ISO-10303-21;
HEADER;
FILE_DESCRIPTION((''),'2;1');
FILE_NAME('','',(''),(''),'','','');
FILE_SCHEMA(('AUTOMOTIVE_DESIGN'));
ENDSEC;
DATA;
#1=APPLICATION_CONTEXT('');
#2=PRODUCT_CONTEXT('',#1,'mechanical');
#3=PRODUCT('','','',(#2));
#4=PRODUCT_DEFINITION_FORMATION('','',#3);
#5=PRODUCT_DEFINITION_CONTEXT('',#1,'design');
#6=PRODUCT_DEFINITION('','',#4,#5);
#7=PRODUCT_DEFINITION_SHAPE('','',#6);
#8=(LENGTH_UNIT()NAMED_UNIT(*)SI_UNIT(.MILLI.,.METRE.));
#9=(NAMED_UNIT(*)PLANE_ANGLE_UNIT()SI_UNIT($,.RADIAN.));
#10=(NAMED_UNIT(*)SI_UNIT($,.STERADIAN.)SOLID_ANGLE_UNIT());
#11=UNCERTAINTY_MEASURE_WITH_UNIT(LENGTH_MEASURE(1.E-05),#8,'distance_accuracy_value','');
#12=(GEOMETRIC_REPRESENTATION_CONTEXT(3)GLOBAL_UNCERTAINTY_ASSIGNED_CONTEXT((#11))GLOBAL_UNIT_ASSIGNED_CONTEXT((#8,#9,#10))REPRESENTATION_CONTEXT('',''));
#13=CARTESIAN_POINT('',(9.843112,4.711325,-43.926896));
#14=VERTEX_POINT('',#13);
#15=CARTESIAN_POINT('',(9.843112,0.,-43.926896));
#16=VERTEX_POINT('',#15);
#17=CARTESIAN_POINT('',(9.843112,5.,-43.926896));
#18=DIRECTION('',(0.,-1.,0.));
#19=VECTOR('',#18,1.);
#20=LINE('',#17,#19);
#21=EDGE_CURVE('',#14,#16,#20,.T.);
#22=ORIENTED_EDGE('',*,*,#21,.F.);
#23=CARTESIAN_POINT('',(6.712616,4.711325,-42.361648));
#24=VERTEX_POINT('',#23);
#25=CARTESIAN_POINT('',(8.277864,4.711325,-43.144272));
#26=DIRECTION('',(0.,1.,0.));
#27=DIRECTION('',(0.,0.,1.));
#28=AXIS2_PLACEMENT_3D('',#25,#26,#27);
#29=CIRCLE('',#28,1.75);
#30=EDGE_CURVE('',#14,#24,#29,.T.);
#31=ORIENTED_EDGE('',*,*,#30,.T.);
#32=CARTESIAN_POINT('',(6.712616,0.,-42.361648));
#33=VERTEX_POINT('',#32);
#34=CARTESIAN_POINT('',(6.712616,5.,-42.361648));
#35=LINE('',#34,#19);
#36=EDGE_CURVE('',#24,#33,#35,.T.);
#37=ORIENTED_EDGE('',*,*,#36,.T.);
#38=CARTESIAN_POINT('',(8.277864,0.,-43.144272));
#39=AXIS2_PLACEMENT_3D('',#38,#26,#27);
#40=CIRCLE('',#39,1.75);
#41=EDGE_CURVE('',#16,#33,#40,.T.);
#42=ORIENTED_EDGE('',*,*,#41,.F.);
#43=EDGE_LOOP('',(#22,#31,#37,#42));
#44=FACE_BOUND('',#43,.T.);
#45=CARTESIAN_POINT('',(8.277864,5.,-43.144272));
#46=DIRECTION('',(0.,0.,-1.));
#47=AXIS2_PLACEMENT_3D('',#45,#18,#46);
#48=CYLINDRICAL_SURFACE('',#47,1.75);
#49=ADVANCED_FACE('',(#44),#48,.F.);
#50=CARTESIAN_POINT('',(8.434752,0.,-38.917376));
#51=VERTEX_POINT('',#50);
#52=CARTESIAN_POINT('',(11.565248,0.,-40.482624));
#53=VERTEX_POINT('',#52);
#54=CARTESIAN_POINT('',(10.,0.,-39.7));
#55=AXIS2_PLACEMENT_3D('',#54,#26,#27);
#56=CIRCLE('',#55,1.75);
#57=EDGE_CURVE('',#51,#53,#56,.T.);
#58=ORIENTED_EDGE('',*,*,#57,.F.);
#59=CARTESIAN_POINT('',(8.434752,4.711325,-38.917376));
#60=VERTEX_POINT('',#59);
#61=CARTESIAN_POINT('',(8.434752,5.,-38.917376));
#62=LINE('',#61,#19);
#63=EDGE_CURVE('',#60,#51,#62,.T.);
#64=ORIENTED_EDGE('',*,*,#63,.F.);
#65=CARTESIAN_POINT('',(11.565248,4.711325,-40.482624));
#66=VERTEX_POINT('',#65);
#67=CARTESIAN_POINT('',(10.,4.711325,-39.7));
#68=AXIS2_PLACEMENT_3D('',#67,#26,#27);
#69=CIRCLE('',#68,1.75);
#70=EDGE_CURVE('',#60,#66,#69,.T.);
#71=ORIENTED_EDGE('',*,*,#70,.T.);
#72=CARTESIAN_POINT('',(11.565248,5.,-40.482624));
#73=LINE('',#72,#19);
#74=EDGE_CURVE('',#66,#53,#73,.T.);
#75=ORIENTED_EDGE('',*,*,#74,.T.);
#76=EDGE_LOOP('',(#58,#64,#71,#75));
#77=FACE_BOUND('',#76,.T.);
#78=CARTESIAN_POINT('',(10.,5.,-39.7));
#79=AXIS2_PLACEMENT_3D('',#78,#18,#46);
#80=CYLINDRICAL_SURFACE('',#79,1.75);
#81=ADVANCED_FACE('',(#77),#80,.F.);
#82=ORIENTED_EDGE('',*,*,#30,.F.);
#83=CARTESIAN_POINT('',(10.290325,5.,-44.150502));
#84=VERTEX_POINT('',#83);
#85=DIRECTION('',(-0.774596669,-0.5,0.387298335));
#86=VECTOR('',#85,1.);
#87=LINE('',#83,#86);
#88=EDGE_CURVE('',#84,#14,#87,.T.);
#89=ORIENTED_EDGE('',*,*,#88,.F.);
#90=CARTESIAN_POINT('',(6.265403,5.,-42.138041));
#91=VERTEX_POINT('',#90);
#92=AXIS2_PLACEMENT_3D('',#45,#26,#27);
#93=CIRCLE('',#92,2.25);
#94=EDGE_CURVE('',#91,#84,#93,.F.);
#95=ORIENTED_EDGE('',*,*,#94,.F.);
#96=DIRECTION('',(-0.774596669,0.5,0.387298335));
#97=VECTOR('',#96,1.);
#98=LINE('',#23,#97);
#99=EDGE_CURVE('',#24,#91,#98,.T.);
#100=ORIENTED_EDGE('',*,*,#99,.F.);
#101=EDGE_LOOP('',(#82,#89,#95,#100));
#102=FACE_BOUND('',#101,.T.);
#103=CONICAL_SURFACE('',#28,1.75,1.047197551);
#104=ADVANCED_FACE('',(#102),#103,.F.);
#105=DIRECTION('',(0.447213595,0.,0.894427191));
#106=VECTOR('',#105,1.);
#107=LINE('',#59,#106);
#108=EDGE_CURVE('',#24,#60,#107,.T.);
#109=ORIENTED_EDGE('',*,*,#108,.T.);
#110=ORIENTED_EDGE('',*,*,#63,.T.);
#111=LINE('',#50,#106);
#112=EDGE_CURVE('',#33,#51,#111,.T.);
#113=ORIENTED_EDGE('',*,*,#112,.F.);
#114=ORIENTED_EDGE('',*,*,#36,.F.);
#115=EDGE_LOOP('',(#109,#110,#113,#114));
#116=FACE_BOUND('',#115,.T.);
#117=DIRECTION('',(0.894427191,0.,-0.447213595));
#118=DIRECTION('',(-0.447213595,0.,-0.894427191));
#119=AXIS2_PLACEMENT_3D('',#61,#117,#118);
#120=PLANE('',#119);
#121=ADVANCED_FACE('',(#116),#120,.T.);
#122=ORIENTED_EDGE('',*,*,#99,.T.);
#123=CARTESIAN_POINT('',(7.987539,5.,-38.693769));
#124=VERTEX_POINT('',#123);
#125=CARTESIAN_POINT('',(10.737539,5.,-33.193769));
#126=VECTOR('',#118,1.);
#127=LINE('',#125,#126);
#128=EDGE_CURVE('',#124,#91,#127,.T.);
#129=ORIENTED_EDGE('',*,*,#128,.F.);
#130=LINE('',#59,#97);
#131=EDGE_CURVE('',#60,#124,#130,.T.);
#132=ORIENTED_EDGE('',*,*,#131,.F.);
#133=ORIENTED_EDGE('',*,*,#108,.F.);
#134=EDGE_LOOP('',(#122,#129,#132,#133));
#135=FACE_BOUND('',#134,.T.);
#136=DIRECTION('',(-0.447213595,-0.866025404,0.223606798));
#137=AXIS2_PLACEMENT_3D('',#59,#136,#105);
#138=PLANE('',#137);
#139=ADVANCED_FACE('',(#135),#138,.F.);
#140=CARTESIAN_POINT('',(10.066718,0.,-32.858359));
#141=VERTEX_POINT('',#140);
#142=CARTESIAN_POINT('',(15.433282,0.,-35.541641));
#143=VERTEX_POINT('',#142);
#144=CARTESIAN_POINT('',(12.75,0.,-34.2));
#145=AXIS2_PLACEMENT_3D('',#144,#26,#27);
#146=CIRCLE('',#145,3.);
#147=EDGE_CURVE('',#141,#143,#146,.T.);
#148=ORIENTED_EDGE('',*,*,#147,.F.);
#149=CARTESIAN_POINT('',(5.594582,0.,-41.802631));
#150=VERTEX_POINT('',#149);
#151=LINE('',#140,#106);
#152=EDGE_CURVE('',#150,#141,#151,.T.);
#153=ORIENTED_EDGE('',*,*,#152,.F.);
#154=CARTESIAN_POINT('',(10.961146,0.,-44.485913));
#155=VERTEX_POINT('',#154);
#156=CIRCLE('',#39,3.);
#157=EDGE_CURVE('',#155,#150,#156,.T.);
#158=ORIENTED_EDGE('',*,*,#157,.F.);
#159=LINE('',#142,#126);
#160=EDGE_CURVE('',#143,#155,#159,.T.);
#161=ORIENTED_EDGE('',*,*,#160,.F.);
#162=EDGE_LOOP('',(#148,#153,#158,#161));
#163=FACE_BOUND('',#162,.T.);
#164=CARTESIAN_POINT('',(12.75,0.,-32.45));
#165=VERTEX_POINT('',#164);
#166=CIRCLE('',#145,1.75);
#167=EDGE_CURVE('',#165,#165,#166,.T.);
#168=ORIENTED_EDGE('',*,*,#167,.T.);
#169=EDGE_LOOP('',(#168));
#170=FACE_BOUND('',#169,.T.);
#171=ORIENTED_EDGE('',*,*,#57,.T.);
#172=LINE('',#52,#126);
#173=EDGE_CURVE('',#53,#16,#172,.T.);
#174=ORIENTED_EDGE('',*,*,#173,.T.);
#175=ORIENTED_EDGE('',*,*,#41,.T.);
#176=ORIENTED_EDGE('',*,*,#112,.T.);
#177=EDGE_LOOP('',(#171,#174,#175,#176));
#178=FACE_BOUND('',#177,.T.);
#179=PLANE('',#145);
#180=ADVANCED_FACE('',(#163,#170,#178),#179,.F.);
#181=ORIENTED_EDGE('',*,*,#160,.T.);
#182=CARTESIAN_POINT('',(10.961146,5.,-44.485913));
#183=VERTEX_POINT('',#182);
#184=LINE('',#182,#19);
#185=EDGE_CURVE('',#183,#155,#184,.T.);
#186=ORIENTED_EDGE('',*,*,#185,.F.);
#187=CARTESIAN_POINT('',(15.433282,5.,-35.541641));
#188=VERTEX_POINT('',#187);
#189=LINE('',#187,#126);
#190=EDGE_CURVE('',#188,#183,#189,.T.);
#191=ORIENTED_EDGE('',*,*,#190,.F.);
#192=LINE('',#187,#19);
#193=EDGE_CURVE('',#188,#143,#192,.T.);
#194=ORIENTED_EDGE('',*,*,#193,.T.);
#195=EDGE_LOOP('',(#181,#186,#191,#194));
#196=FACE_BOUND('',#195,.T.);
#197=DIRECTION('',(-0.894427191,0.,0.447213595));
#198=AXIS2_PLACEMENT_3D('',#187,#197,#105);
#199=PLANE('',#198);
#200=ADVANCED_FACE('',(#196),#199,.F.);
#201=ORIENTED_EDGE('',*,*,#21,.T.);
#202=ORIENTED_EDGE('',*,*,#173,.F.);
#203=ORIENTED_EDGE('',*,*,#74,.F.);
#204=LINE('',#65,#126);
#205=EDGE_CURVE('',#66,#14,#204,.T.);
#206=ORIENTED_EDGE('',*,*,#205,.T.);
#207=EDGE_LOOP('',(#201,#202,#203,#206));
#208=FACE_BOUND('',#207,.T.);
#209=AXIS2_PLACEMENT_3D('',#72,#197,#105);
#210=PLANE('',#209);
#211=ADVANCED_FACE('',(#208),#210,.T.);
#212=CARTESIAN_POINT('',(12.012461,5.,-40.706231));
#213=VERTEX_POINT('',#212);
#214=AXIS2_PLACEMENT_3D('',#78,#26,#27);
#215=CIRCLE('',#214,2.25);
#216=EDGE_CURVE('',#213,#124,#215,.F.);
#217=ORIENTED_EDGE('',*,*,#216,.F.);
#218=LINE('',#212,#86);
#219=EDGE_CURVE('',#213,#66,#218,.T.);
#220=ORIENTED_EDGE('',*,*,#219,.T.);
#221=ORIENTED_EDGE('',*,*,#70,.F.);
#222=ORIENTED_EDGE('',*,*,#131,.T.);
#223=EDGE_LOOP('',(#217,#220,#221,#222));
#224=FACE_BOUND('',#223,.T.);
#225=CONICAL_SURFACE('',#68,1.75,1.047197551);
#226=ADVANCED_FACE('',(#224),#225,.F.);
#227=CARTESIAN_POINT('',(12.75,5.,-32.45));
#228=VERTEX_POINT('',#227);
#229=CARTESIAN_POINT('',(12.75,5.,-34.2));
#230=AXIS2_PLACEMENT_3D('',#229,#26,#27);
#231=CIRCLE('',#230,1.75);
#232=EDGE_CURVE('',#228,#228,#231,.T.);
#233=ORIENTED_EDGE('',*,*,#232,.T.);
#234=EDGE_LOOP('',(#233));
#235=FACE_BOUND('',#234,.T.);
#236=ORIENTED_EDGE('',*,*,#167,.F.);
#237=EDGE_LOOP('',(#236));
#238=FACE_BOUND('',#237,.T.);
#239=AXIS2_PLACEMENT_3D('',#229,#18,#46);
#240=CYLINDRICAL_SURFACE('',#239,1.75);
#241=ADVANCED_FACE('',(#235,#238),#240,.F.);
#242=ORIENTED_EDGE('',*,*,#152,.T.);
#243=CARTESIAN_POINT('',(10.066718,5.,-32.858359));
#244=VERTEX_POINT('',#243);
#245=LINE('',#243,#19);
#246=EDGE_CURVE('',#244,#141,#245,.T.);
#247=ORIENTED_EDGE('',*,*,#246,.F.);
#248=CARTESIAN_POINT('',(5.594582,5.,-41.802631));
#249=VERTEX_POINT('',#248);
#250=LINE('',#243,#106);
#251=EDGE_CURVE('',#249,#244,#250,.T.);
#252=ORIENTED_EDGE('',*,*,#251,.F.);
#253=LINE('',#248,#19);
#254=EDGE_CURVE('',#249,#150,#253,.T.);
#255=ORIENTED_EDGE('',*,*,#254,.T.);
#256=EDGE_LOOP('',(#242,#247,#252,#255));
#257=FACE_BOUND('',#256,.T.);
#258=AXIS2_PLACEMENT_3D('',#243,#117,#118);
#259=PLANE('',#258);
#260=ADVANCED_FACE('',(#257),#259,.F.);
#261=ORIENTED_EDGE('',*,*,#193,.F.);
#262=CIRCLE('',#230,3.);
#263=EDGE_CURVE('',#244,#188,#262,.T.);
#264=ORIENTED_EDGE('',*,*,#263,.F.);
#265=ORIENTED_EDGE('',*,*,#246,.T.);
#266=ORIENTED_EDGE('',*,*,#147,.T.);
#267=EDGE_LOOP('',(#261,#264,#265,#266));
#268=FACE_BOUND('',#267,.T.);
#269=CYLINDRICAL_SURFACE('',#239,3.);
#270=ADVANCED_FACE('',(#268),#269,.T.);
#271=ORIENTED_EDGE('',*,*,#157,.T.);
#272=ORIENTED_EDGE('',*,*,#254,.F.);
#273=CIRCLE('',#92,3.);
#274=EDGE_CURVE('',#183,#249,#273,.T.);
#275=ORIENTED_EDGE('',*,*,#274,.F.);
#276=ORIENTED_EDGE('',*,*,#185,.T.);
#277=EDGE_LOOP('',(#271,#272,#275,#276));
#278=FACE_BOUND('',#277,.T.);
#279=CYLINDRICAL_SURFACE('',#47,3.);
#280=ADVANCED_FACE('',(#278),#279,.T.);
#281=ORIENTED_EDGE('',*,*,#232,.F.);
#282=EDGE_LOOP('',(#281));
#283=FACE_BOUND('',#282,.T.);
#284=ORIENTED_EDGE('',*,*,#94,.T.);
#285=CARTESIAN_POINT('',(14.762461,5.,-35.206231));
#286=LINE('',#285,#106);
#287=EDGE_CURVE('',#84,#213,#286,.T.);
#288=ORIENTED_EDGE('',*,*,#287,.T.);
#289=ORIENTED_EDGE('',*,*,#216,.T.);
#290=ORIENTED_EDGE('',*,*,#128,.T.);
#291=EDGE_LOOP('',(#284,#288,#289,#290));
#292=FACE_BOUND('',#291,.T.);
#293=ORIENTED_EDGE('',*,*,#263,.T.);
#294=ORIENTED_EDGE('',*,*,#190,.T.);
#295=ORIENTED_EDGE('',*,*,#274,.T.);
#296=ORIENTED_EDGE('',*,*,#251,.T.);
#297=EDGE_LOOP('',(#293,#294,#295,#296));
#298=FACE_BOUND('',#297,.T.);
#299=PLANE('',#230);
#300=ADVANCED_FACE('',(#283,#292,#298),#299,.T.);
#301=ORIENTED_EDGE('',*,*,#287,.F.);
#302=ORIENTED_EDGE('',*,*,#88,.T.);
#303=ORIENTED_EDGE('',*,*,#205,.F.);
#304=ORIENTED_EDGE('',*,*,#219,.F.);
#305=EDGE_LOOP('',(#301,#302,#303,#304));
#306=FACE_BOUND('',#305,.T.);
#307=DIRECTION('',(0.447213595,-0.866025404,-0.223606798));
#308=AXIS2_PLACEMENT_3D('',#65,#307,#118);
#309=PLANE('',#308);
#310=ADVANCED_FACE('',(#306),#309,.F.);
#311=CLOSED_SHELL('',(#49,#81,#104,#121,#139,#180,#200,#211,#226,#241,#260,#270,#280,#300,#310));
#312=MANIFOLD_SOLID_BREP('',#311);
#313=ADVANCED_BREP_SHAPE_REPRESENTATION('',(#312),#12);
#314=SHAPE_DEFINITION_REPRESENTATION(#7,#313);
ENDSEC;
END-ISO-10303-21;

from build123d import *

# Parameters (mm, degrees)
SKETCH1_R           = 1.75
BOSS_EXTRUDE1_DEPTH = 5
CHAMFER1_SIZE       = 0.5
CHAMFER1_SIZE2      = 0.288675135


with BuildPart() as part:
    # Sketch1 → Boss-Extrude1 (new body)
    with BuildSketch(Plane(origin=(0, 0, 0), x_dir=(1, 0, 0), z_dir=(0, 1, 0))):
        with BuildLine():
            Line((15.433281573, 35.541640786), (10.961145618, 44.485912696))
            ThreePointArc((10.961145618, 44.485912696), (6.936223259, 45.827553483), (5.594582472, 41.802631123))
            Line((5.594582472, 41.802631123), (10.066718427, 32.858359214))
            ThreePointArc((10.066718427, 32.858359214), (14.091640786, 31.516718427), (15.433281573, 35.541640786))
        make_face()
        with Locations(Location((12.75, 34.2, 0), (0, 0, 270))):
            Circle(SKETCH1_R, mode=Mode.SUBTRACT)
        with BuildLine():
            Line((11.565247584, 40.482623792), (9.843111629, 43.926895702))
            ThreePointArc((9.843111629, 43.926895702), (7.495240253, 44.709519494), (6.712616461, 42.361648118))
            Line((6.712616461, 42.361648118), (8.434752416, 38.917376208))
            ThreePointArc((8.434752416, 38.917376208), (10.782623792, 38.134752416), (11.565247584, 40.482623792))
        make_face(mode=Mode.SUBTRACT)
    extrude(amount=BOSS_EXTRUDE1_DEPTH)

    # Chamfer1
    chamfer1_edges = [part.edges().sort_by_distance(p)[0] for p in [
        (10.782623792, 5, -38.134752416),
        (10.704179607, 5, -42.204759747),
        (7.495240253, 5, -44.709519494),
        (7.573684438, 5, -40.639512163),
    ]]
    chamfer1_side = [part.faces().sort_by_distance(p)[0] for p in [
        (7.993867335, 5, -37.412103611),
    ]]
    chamfer(chamfer1_edges, length=CHAMFER1_SIZE, length2=CHAMFER1_SIZE2, reference=chamfer1_side[0])


solid = part.part
